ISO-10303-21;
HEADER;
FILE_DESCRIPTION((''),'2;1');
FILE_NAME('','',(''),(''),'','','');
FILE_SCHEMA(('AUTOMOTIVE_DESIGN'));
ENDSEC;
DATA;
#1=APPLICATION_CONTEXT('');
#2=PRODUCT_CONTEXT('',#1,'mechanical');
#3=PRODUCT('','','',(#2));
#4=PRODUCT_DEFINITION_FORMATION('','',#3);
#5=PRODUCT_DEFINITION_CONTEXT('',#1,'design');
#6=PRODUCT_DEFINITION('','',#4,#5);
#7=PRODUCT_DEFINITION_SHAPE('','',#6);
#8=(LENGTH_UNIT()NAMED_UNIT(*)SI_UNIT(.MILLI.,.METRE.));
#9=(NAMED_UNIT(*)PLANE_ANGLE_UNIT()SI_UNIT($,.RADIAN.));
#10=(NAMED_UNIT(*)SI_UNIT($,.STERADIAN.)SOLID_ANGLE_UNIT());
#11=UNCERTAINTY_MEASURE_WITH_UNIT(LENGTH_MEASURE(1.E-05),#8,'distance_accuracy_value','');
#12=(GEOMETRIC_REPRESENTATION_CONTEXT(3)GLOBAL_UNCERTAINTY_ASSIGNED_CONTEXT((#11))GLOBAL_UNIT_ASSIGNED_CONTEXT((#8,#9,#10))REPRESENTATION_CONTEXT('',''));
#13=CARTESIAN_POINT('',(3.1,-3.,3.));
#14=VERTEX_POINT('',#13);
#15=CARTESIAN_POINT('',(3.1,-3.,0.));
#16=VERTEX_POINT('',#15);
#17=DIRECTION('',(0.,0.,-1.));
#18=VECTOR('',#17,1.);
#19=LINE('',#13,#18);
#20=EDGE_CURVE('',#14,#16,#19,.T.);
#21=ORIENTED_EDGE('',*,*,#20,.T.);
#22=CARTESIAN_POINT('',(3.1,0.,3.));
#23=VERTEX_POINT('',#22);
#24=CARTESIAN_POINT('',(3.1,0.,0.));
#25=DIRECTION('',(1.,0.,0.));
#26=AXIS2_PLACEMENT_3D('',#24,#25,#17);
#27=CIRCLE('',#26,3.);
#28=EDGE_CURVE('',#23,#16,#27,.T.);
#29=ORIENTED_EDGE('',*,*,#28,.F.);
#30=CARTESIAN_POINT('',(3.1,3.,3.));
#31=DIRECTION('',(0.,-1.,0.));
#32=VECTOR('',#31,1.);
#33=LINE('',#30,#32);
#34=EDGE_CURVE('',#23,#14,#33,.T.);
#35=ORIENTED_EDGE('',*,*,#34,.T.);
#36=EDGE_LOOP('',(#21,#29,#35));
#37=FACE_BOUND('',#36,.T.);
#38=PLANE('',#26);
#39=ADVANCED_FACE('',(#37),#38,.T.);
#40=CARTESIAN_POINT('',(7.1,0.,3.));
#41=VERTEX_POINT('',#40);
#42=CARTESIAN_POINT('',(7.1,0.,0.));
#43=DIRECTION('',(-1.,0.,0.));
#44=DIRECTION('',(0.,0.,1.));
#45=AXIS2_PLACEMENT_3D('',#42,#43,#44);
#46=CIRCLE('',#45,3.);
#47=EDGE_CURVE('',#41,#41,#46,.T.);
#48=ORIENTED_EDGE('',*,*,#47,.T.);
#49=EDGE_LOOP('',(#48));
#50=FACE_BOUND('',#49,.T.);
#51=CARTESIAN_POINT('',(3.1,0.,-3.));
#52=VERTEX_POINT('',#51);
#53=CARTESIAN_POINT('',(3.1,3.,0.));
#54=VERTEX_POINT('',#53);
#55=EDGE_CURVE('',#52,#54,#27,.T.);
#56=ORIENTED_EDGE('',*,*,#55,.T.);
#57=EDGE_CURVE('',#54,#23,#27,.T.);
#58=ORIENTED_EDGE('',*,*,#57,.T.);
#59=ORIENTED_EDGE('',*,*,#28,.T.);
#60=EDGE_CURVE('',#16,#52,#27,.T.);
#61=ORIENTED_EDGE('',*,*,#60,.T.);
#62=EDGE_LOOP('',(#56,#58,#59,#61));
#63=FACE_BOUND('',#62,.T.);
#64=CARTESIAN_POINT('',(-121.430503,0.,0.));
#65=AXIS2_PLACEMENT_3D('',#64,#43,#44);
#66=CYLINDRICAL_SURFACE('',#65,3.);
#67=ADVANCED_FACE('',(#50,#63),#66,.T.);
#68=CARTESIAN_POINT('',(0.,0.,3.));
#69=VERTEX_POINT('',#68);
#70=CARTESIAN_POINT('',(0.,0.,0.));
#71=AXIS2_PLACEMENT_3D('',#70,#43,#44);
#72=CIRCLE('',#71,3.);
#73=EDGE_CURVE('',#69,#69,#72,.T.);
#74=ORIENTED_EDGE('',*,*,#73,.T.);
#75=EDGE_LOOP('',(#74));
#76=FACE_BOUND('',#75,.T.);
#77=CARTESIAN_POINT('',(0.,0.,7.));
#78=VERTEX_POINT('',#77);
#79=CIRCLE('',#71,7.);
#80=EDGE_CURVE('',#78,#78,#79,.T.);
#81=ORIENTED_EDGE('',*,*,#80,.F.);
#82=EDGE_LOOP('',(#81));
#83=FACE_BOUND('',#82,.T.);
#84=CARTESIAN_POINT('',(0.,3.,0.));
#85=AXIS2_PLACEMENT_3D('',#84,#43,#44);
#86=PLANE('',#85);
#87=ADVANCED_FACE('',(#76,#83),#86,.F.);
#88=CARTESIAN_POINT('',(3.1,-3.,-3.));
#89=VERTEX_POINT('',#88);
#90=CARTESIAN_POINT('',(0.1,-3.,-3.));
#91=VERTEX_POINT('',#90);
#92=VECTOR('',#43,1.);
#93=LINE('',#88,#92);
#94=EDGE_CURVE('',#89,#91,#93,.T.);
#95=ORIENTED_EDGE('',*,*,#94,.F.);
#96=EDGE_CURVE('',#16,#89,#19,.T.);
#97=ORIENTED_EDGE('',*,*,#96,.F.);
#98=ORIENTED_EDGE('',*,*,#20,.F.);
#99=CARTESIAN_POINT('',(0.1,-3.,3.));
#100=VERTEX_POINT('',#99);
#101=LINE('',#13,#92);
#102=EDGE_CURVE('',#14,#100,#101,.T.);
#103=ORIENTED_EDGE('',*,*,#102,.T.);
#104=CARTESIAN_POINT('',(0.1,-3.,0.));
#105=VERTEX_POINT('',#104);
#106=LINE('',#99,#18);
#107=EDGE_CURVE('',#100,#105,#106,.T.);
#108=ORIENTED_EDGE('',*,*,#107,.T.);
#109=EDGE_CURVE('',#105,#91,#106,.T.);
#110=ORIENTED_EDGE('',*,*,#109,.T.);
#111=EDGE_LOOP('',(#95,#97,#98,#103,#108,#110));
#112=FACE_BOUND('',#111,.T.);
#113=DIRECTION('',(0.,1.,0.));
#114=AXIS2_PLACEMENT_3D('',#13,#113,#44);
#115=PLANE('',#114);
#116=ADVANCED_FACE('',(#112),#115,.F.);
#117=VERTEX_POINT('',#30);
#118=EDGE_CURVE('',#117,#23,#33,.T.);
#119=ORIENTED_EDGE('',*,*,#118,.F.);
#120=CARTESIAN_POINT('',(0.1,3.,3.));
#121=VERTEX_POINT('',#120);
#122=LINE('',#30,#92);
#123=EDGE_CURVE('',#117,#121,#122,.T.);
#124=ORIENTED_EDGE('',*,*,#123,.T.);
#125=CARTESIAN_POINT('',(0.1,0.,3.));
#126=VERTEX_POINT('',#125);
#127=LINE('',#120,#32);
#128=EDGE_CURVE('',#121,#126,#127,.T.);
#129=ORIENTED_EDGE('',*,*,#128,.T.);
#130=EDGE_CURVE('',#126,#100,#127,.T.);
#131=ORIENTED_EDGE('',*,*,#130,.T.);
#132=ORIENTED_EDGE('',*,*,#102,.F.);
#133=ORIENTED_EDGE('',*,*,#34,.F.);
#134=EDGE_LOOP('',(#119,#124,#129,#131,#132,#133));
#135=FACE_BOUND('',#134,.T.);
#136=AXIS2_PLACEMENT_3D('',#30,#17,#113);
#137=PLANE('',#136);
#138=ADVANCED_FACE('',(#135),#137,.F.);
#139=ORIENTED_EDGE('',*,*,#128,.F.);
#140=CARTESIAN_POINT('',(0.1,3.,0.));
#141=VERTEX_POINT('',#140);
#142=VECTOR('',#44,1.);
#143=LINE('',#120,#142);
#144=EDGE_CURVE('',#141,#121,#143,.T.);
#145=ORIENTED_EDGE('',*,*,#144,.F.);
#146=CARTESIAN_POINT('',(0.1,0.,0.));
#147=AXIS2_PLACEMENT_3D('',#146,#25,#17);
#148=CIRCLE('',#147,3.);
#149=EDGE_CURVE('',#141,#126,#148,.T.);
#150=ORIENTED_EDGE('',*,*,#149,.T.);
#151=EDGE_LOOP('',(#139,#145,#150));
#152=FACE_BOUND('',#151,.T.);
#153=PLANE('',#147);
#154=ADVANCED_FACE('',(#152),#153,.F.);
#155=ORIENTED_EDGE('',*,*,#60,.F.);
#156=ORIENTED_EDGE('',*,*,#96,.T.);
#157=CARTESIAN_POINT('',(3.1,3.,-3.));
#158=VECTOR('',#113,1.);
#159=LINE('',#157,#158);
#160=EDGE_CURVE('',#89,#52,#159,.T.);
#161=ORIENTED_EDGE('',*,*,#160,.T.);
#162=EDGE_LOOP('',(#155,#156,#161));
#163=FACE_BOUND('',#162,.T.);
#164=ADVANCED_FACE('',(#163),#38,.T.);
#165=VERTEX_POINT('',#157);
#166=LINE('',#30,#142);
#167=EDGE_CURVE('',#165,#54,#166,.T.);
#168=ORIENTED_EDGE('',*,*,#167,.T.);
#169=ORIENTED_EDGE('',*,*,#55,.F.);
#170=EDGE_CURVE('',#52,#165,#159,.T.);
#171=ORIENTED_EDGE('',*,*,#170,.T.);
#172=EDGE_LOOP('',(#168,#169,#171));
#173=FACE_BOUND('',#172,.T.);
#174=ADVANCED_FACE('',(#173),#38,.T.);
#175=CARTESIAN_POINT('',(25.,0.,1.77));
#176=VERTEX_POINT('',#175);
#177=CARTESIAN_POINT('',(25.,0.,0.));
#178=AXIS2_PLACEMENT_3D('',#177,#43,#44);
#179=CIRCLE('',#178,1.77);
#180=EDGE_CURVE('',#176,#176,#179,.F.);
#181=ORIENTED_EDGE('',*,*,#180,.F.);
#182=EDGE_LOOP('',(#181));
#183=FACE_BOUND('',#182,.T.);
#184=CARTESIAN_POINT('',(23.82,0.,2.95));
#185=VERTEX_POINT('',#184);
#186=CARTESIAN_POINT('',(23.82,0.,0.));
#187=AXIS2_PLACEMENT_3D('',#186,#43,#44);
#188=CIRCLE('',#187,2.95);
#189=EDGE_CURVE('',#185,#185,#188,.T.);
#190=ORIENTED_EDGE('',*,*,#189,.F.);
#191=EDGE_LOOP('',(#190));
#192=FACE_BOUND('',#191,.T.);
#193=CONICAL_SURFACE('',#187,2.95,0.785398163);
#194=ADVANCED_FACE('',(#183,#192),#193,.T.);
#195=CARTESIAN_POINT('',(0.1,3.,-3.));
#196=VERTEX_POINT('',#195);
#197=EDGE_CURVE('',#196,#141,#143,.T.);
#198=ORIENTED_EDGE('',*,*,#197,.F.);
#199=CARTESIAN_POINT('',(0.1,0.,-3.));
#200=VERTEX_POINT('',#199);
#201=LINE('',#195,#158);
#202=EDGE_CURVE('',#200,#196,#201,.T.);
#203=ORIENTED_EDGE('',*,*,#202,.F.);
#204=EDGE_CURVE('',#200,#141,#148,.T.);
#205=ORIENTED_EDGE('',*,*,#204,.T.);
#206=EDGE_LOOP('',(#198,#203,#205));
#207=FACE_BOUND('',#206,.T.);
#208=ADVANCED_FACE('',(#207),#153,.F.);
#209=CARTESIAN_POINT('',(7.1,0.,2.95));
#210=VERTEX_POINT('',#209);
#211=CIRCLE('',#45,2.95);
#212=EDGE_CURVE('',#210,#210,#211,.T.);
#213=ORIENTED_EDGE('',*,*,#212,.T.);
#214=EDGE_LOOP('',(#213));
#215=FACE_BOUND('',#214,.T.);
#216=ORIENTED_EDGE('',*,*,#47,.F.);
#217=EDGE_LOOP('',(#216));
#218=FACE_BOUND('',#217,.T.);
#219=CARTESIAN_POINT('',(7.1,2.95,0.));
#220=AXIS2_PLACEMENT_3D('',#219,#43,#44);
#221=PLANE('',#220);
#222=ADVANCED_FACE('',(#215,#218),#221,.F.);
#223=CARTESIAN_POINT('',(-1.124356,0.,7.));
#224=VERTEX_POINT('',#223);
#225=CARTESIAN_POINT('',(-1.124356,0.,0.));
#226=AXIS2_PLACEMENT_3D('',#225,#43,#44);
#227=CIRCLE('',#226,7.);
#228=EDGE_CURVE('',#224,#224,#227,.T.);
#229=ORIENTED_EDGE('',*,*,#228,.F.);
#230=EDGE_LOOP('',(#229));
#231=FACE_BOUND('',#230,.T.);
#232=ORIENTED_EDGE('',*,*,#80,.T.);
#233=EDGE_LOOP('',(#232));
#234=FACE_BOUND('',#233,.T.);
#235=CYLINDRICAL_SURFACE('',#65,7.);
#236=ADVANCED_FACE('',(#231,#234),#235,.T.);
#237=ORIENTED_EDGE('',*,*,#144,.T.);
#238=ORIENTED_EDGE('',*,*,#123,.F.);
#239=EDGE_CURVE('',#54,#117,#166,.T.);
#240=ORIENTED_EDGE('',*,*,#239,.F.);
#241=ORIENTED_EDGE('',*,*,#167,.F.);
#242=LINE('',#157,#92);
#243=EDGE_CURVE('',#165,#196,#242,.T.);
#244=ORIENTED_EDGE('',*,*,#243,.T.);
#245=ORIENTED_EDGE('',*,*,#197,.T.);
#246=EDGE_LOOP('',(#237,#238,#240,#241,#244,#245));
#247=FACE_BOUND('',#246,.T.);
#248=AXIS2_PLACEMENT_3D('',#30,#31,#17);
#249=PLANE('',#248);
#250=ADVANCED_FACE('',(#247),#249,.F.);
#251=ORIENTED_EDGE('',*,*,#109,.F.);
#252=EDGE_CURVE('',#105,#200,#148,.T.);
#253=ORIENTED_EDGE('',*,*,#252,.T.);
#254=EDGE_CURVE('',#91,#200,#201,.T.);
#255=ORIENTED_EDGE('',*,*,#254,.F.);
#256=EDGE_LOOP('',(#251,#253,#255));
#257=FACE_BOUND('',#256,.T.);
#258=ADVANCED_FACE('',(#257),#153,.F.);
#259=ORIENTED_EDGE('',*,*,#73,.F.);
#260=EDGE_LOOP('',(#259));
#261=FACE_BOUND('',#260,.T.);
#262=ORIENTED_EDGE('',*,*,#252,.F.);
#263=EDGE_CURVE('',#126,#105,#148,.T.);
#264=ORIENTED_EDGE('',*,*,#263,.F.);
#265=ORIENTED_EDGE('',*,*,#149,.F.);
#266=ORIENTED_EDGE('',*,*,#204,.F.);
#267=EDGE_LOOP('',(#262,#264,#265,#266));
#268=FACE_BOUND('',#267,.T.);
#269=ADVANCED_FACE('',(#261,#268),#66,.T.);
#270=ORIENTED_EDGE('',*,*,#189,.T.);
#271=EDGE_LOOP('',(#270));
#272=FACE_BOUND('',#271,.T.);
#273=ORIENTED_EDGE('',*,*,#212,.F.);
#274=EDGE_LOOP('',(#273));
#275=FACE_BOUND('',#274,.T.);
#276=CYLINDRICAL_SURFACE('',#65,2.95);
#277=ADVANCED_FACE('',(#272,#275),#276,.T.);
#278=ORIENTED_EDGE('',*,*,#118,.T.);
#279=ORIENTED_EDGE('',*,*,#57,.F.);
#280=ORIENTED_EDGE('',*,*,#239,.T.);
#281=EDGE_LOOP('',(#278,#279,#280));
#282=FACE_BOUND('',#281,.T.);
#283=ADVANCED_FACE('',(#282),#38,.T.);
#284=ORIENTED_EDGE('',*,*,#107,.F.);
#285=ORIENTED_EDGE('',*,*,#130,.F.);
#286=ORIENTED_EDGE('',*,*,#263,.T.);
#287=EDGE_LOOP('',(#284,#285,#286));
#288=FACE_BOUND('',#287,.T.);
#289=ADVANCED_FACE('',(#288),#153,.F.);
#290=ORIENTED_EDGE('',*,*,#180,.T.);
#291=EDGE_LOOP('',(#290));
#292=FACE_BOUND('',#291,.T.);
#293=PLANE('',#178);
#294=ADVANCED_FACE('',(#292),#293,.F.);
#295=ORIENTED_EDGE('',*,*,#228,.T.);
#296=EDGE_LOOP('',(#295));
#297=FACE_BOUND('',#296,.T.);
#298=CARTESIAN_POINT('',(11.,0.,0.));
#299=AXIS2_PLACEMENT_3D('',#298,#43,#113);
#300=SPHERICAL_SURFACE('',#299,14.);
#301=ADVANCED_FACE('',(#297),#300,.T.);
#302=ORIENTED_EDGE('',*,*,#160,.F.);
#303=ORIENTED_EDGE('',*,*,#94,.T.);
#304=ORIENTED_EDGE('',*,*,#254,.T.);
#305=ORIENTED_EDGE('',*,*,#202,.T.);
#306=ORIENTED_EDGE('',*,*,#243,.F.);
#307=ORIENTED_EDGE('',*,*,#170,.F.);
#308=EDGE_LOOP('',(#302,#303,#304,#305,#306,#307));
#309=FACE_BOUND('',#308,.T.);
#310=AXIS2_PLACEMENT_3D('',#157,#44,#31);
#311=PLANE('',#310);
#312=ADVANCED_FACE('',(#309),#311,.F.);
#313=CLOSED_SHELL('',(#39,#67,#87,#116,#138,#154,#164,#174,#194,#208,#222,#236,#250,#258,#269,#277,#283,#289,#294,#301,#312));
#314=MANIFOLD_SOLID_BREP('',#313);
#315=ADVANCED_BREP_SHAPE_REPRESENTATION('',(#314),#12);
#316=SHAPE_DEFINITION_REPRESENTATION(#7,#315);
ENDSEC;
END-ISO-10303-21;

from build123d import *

# Parameters (mm, degrees)
EXTRUDE_START   = 0.1
SKETCH_2_W      = 6
SKETCH_2_H      = 6
EXTRUDE_1_DEPTH = 3
CHAMFER_1_SIZE  = 1.18


with BuildPart() as part:
    # Эскиз1 → Повернуть1 (revolve)
    with BuildSketch(Plane.XY, mode=Mode.PRIVATE) as revolve_1_sk:
        with BuildLine():
            Line((25, 0), (25, 2.95))
            Line((25, 2.95), (7.1, 2.95))
            Line((7.1, 2.95), (7.1, 3))
            Line((7.1, 3), (0, 3))
            Line((0, 3), (0, 7))
            Line((0, 7), (-1.124355653, 7))
            ThreePointArc((-1.124355653, 7), (-2.522961568, 3.623466631), (-3, 0))
            Line((-3, 0), (25, 0))
        make_face()
    revolve(revolve_1_sk.sketch.rotate(Axis((-121.430503085, 0, 0), (1, 0, 0)), 90), axis=Axis((-121.430503085, 0, 0), (1, 0, 0)))

    # Эскиз2 → Бобышка-Вытянуть1 (add)
    with BuildSketch(Plane(origin=(0, 0, 0), x_dir=(0, 0, -1), z_dir=(1, 0, 0)).offset(EXTRUDE_START)):
        Rectangle(SKETCH_2_W, SKETCH_2_H)
    extrude(amount=EXTRUDE_1_DEPTH)

    # Фаска1
    chamfer_1_edges = [part.edges().sort_by_distance(p)[0] for p in [
        (25, 0, -2.95),
    ]]
    chamfer(chamfer_1_edges, length=CHAMFER_1_SIZE)


solid = part.part
